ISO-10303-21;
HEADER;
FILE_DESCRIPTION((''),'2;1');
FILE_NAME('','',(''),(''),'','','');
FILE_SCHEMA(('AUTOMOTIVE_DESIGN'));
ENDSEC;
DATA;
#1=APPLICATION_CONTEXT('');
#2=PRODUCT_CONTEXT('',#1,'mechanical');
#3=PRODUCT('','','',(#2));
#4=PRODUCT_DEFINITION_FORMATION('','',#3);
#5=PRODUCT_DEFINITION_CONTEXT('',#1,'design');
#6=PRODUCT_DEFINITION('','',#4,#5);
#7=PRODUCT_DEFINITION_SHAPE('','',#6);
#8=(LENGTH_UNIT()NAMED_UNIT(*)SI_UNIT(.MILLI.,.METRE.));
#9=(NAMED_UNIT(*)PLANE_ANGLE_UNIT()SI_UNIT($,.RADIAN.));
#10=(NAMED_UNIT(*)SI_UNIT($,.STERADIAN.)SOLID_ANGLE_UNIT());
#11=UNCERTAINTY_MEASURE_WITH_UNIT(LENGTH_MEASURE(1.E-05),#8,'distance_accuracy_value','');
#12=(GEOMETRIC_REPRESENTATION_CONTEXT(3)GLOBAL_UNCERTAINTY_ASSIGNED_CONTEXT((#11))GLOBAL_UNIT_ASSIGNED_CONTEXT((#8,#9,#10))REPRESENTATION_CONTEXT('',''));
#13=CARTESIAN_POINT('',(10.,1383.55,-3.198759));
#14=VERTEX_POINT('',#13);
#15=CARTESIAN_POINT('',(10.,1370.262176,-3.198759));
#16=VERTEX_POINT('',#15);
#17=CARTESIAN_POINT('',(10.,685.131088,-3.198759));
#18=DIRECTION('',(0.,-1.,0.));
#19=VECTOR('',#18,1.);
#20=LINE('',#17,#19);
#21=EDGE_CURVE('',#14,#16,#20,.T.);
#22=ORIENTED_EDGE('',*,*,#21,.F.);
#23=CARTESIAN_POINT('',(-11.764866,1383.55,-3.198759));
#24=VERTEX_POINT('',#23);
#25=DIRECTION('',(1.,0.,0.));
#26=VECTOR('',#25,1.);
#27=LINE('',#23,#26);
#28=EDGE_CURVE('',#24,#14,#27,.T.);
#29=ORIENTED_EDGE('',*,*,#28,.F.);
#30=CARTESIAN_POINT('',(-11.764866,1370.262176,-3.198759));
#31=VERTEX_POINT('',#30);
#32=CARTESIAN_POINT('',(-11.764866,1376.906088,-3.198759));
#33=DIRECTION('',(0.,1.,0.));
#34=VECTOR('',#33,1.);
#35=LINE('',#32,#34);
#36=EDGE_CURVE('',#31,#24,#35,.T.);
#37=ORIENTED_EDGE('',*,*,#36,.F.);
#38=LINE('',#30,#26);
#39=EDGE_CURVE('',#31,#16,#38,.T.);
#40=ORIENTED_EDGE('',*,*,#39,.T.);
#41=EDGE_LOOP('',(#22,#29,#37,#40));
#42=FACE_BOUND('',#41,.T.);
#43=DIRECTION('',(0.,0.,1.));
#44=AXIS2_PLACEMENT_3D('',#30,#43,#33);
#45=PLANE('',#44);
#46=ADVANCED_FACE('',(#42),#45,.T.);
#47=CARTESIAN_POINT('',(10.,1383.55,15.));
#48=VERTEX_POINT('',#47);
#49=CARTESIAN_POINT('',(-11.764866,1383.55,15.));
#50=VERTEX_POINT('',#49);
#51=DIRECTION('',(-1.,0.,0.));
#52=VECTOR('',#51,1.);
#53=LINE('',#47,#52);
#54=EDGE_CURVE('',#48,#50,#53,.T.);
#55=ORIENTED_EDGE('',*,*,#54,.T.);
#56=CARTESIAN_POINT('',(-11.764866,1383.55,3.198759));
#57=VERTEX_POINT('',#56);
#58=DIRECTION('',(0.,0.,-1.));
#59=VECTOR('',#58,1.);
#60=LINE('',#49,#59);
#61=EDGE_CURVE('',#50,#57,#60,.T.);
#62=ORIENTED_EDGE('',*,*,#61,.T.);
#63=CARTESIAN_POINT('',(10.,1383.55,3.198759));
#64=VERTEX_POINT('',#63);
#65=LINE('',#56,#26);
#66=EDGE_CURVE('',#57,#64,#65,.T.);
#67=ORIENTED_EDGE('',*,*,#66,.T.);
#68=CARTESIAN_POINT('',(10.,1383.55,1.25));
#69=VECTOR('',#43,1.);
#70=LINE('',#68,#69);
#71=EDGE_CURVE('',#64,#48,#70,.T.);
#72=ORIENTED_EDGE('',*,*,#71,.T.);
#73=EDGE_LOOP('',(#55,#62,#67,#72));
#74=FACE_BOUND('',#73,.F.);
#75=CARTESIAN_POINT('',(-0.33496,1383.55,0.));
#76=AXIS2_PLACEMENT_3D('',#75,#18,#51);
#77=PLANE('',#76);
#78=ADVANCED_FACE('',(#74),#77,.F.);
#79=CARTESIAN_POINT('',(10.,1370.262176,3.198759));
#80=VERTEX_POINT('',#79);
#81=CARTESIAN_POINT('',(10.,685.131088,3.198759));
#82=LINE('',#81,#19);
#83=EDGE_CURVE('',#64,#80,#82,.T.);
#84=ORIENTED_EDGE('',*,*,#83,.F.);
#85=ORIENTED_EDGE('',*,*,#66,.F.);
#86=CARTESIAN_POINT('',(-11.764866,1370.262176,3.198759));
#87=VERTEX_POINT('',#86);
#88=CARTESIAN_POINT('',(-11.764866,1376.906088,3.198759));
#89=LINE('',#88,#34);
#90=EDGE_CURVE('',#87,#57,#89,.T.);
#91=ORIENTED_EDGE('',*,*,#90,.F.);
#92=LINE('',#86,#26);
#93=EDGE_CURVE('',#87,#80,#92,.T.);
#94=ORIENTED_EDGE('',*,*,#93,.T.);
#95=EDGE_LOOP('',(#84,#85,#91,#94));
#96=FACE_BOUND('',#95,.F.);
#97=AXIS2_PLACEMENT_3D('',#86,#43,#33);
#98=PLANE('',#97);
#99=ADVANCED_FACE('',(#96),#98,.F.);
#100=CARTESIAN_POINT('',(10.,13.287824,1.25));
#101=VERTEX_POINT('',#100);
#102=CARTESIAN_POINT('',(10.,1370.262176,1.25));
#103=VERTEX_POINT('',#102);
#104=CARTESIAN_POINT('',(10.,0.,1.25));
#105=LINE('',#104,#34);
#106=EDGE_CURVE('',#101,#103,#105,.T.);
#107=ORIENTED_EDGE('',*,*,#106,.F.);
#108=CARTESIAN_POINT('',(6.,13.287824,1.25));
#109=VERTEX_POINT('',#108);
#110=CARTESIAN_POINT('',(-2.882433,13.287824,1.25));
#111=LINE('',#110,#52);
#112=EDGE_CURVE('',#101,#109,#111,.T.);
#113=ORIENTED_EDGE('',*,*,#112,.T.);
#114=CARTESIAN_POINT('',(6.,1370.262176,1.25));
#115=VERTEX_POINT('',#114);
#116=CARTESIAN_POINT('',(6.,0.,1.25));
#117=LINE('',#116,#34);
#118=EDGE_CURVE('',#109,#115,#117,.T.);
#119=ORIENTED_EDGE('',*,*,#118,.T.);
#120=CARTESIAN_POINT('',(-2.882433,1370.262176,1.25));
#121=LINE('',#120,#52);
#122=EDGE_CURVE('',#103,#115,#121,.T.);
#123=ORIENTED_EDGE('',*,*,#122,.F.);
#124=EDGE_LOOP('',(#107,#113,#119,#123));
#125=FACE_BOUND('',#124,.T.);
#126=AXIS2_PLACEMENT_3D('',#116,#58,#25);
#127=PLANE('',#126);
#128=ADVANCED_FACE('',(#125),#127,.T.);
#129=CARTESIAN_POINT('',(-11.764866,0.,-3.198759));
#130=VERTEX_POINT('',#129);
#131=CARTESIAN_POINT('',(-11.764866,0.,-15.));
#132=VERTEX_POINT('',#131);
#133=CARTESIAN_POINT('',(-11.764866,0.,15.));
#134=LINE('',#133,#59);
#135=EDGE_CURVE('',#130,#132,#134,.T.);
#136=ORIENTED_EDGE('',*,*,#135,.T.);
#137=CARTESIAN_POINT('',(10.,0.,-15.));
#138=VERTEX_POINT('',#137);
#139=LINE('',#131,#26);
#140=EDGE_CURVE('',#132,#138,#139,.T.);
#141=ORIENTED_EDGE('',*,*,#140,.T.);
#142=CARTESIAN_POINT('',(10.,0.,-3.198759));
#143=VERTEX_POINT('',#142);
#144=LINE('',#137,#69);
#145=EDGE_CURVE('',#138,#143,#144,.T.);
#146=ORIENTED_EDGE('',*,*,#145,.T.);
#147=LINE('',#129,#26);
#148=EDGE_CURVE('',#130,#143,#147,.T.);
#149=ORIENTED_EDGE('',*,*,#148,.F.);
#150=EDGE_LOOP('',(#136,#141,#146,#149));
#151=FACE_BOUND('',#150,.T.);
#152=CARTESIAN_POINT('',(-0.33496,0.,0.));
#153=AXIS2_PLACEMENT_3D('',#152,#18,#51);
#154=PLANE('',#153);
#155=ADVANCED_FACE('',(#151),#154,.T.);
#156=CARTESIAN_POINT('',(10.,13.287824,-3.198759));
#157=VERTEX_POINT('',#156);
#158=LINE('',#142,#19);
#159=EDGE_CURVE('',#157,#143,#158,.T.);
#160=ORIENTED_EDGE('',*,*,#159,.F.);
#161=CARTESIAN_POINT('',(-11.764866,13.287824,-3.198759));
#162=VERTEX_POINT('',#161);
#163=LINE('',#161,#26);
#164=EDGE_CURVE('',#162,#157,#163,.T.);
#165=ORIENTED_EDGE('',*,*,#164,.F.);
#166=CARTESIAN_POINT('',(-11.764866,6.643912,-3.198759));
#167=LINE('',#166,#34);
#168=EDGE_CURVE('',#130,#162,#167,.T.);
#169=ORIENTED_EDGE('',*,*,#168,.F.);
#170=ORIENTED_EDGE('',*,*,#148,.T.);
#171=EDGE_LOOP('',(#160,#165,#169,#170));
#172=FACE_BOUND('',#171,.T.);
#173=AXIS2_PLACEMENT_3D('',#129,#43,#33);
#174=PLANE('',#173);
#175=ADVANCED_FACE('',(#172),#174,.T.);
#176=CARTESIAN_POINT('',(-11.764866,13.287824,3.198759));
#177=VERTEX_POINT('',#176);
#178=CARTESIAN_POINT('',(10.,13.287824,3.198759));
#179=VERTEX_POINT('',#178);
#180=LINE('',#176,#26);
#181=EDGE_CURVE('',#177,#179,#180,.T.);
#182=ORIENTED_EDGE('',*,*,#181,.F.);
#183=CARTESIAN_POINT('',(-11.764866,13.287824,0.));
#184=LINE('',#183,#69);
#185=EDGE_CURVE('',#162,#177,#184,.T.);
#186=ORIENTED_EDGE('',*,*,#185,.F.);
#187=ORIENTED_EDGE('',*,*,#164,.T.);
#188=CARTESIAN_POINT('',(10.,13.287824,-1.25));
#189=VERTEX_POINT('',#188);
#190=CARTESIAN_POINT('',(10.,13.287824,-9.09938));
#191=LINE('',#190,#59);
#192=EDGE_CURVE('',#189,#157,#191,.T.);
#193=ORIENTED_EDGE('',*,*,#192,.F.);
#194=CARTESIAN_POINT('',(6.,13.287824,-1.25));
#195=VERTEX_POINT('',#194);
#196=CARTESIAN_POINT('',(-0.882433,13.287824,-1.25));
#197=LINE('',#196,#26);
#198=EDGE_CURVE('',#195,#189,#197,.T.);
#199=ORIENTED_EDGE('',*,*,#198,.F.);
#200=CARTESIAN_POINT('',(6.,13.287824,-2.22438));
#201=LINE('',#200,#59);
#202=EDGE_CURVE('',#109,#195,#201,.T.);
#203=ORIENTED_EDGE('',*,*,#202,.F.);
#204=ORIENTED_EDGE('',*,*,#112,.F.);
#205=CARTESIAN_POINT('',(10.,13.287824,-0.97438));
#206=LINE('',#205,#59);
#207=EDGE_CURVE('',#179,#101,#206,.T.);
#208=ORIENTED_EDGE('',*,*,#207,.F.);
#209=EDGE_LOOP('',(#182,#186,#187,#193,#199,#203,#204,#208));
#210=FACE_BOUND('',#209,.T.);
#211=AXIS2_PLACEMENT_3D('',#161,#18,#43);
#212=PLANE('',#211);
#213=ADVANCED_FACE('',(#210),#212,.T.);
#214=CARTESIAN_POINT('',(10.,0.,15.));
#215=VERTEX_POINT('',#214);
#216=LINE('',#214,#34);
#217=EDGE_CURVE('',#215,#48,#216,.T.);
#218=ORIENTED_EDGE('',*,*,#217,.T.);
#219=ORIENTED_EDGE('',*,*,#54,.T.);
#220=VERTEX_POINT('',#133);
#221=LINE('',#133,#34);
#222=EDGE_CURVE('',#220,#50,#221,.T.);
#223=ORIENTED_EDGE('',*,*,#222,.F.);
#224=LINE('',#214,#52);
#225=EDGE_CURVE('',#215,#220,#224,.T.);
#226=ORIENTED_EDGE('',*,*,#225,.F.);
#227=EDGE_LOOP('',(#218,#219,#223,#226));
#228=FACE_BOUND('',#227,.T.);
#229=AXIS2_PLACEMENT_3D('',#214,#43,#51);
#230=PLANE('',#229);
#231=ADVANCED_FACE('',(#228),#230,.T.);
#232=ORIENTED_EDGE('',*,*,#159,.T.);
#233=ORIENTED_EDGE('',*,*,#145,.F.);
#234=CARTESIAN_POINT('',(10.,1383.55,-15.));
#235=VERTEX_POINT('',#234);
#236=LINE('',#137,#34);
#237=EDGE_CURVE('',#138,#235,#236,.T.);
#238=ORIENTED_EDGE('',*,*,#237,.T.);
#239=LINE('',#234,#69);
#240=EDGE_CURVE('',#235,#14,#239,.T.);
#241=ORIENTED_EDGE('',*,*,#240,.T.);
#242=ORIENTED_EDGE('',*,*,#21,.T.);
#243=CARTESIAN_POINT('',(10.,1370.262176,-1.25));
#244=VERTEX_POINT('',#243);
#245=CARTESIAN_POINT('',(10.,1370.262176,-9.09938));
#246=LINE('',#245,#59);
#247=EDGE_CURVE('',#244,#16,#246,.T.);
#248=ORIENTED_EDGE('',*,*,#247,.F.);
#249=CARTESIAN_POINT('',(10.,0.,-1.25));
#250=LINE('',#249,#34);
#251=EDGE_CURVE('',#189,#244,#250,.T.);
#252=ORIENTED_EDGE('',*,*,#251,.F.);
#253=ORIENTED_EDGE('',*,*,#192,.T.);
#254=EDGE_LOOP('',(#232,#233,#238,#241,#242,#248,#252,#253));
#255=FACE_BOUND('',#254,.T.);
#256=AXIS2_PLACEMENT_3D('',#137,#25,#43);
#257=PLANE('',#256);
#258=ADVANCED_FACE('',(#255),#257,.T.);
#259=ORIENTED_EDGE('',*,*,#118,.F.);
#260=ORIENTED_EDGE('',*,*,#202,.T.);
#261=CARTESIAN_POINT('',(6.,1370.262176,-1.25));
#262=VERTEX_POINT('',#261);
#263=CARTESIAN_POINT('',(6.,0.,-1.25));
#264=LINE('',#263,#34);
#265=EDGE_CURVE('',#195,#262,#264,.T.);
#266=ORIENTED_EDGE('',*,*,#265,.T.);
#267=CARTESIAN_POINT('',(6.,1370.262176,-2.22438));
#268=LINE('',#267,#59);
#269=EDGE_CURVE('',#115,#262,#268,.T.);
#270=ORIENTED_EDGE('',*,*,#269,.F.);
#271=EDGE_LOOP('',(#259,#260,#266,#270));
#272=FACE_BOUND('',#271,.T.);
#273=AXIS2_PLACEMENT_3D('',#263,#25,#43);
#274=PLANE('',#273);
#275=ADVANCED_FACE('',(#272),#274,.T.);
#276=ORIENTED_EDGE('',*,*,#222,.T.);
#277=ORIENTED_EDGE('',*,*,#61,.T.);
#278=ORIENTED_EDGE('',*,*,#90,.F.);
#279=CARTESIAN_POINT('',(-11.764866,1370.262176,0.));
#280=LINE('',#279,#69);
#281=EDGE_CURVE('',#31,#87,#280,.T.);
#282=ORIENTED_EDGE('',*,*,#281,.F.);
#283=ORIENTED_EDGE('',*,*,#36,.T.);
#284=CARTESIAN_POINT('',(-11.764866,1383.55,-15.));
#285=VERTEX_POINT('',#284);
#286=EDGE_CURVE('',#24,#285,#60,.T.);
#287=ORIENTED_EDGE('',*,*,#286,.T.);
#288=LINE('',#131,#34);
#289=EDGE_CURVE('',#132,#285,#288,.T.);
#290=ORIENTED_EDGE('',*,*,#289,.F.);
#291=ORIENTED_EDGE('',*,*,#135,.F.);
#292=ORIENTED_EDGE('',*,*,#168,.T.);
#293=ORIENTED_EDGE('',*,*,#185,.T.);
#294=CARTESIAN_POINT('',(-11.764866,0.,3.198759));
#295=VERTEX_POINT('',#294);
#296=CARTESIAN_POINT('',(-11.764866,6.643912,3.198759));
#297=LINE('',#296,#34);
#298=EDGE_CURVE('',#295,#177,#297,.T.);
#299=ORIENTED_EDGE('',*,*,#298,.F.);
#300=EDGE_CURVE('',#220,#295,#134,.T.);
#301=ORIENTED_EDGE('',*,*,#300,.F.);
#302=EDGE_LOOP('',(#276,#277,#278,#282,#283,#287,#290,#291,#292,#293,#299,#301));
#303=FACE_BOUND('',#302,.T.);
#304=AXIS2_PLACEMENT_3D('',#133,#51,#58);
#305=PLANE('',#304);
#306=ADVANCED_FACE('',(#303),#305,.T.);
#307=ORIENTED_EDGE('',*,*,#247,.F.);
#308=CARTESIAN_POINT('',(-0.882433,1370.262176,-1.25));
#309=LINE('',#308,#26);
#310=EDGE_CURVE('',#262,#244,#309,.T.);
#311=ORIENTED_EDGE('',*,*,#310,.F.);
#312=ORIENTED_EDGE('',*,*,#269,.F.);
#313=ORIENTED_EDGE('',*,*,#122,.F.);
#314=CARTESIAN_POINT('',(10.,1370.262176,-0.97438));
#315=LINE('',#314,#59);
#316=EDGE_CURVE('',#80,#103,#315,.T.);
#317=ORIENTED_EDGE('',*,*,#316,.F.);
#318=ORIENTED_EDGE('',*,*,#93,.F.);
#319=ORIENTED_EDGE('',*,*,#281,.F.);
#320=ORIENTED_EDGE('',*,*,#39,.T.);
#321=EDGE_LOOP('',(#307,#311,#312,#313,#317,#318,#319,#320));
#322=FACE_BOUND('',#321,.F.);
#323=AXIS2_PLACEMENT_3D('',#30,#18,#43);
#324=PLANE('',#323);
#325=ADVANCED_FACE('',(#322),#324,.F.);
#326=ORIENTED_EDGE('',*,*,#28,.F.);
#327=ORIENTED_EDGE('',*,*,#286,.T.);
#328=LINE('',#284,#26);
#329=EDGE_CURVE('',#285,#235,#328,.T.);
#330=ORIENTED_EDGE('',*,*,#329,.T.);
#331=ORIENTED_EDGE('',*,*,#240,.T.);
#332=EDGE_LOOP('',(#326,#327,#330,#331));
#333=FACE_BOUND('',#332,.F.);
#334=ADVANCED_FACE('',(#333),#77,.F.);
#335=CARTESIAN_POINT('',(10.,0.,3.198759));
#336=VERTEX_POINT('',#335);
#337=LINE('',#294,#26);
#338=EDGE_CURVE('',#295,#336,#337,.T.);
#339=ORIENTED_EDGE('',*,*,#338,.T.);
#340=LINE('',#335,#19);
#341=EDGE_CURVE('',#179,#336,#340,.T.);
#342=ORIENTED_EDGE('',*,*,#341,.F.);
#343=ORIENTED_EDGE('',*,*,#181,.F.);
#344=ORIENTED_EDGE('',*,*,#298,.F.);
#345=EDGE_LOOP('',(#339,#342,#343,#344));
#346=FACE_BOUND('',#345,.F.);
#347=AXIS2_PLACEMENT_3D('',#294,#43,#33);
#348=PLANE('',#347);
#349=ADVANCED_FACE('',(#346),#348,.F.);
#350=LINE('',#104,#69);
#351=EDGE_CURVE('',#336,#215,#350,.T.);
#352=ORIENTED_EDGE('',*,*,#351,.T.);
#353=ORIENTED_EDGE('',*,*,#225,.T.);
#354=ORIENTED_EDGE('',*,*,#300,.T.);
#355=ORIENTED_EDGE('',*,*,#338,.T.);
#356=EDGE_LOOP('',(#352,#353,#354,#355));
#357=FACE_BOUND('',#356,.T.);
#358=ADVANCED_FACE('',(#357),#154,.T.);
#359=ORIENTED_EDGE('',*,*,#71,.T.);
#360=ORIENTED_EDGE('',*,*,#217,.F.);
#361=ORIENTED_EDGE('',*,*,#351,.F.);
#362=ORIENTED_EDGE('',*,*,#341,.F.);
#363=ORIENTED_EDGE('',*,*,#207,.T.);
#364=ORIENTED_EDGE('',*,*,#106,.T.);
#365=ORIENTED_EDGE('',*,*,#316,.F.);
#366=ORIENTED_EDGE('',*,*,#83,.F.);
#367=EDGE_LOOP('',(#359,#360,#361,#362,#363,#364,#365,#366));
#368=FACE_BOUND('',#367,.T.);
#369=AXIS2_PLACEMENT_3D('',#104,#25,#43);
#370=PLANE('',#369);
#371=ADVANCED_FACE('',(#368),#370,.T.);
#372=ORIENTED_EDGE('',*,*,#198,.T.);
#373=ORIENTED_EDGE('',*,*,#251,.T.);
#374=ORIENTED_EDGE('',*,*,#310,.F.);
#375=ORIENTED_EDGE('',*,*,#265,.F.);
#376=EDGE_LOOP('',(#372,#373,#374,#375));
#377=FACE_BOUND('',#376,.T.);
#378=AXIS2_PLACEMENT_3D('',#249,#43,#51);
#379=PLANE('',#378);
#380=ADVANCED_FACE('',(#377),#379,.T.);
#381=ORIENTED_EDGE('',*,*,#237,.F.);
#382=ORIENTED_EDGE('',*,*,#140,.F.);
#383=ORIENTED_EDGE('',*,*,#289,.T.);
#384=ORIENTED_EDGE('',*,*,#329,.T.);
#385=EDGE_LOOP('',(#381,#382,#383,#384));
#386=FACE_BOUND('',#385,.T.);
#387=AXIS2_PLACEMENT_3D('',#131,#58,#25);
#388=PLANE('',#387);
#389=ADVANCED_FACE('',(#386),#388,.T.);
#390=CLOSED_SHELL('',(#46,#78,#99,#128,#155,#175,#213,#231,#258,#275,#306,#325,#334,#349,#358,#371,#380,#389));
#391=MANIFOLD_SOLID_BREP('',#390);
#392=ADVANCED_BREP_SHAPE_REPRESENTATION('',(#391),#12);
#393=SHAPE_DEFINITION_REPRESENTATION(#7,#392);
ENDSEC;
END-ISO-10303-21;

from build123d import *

# Parameters (mm, degrees)
EXTRUDE_1_DEPTH     = 1383.55
SKETCH_2_W          = 6.397518836
SKETCH_2_H          = 13.287823591
CUT_EXTRUDE_1_DEPTH = 22.764865627


with BuildPart() as part:
    # Эскиз1 → Бобышка-Вытянуть1 (new body)
    with BuildSketch(Plane(origin=(0, 0, 0), x_dir=(1, 0, 0), z_dir=(0, 1, 0))):
        Polygon((-11.764865627, 15), (10, 15), (10, 1.25), (6, 1.25), (6, -1.25), (10, -1.25), (10, -15), (-11.764865627, -15), align=None)
    extrude(amount=EXTRUDE_1_DEPTH)

    # Эскиз2 → Вырез-Вытянуть1 (cut, through all)
    with BuildSketch(Plane.ZY.offset(11.764865627)):
        with Locations((0, 6.643911796)):
            Rectangle(SKETCH_2_W, SKETCH_2_H)
        with Locations((0, 1376.906088205)):
            Rectangle(SKETCH_2_W, SKETCH_2_H)
    extrude(amount=-CUT_EXTRUDE_1_DEPTH, mode=Mode.SUBTRACT)


solid = part.part
